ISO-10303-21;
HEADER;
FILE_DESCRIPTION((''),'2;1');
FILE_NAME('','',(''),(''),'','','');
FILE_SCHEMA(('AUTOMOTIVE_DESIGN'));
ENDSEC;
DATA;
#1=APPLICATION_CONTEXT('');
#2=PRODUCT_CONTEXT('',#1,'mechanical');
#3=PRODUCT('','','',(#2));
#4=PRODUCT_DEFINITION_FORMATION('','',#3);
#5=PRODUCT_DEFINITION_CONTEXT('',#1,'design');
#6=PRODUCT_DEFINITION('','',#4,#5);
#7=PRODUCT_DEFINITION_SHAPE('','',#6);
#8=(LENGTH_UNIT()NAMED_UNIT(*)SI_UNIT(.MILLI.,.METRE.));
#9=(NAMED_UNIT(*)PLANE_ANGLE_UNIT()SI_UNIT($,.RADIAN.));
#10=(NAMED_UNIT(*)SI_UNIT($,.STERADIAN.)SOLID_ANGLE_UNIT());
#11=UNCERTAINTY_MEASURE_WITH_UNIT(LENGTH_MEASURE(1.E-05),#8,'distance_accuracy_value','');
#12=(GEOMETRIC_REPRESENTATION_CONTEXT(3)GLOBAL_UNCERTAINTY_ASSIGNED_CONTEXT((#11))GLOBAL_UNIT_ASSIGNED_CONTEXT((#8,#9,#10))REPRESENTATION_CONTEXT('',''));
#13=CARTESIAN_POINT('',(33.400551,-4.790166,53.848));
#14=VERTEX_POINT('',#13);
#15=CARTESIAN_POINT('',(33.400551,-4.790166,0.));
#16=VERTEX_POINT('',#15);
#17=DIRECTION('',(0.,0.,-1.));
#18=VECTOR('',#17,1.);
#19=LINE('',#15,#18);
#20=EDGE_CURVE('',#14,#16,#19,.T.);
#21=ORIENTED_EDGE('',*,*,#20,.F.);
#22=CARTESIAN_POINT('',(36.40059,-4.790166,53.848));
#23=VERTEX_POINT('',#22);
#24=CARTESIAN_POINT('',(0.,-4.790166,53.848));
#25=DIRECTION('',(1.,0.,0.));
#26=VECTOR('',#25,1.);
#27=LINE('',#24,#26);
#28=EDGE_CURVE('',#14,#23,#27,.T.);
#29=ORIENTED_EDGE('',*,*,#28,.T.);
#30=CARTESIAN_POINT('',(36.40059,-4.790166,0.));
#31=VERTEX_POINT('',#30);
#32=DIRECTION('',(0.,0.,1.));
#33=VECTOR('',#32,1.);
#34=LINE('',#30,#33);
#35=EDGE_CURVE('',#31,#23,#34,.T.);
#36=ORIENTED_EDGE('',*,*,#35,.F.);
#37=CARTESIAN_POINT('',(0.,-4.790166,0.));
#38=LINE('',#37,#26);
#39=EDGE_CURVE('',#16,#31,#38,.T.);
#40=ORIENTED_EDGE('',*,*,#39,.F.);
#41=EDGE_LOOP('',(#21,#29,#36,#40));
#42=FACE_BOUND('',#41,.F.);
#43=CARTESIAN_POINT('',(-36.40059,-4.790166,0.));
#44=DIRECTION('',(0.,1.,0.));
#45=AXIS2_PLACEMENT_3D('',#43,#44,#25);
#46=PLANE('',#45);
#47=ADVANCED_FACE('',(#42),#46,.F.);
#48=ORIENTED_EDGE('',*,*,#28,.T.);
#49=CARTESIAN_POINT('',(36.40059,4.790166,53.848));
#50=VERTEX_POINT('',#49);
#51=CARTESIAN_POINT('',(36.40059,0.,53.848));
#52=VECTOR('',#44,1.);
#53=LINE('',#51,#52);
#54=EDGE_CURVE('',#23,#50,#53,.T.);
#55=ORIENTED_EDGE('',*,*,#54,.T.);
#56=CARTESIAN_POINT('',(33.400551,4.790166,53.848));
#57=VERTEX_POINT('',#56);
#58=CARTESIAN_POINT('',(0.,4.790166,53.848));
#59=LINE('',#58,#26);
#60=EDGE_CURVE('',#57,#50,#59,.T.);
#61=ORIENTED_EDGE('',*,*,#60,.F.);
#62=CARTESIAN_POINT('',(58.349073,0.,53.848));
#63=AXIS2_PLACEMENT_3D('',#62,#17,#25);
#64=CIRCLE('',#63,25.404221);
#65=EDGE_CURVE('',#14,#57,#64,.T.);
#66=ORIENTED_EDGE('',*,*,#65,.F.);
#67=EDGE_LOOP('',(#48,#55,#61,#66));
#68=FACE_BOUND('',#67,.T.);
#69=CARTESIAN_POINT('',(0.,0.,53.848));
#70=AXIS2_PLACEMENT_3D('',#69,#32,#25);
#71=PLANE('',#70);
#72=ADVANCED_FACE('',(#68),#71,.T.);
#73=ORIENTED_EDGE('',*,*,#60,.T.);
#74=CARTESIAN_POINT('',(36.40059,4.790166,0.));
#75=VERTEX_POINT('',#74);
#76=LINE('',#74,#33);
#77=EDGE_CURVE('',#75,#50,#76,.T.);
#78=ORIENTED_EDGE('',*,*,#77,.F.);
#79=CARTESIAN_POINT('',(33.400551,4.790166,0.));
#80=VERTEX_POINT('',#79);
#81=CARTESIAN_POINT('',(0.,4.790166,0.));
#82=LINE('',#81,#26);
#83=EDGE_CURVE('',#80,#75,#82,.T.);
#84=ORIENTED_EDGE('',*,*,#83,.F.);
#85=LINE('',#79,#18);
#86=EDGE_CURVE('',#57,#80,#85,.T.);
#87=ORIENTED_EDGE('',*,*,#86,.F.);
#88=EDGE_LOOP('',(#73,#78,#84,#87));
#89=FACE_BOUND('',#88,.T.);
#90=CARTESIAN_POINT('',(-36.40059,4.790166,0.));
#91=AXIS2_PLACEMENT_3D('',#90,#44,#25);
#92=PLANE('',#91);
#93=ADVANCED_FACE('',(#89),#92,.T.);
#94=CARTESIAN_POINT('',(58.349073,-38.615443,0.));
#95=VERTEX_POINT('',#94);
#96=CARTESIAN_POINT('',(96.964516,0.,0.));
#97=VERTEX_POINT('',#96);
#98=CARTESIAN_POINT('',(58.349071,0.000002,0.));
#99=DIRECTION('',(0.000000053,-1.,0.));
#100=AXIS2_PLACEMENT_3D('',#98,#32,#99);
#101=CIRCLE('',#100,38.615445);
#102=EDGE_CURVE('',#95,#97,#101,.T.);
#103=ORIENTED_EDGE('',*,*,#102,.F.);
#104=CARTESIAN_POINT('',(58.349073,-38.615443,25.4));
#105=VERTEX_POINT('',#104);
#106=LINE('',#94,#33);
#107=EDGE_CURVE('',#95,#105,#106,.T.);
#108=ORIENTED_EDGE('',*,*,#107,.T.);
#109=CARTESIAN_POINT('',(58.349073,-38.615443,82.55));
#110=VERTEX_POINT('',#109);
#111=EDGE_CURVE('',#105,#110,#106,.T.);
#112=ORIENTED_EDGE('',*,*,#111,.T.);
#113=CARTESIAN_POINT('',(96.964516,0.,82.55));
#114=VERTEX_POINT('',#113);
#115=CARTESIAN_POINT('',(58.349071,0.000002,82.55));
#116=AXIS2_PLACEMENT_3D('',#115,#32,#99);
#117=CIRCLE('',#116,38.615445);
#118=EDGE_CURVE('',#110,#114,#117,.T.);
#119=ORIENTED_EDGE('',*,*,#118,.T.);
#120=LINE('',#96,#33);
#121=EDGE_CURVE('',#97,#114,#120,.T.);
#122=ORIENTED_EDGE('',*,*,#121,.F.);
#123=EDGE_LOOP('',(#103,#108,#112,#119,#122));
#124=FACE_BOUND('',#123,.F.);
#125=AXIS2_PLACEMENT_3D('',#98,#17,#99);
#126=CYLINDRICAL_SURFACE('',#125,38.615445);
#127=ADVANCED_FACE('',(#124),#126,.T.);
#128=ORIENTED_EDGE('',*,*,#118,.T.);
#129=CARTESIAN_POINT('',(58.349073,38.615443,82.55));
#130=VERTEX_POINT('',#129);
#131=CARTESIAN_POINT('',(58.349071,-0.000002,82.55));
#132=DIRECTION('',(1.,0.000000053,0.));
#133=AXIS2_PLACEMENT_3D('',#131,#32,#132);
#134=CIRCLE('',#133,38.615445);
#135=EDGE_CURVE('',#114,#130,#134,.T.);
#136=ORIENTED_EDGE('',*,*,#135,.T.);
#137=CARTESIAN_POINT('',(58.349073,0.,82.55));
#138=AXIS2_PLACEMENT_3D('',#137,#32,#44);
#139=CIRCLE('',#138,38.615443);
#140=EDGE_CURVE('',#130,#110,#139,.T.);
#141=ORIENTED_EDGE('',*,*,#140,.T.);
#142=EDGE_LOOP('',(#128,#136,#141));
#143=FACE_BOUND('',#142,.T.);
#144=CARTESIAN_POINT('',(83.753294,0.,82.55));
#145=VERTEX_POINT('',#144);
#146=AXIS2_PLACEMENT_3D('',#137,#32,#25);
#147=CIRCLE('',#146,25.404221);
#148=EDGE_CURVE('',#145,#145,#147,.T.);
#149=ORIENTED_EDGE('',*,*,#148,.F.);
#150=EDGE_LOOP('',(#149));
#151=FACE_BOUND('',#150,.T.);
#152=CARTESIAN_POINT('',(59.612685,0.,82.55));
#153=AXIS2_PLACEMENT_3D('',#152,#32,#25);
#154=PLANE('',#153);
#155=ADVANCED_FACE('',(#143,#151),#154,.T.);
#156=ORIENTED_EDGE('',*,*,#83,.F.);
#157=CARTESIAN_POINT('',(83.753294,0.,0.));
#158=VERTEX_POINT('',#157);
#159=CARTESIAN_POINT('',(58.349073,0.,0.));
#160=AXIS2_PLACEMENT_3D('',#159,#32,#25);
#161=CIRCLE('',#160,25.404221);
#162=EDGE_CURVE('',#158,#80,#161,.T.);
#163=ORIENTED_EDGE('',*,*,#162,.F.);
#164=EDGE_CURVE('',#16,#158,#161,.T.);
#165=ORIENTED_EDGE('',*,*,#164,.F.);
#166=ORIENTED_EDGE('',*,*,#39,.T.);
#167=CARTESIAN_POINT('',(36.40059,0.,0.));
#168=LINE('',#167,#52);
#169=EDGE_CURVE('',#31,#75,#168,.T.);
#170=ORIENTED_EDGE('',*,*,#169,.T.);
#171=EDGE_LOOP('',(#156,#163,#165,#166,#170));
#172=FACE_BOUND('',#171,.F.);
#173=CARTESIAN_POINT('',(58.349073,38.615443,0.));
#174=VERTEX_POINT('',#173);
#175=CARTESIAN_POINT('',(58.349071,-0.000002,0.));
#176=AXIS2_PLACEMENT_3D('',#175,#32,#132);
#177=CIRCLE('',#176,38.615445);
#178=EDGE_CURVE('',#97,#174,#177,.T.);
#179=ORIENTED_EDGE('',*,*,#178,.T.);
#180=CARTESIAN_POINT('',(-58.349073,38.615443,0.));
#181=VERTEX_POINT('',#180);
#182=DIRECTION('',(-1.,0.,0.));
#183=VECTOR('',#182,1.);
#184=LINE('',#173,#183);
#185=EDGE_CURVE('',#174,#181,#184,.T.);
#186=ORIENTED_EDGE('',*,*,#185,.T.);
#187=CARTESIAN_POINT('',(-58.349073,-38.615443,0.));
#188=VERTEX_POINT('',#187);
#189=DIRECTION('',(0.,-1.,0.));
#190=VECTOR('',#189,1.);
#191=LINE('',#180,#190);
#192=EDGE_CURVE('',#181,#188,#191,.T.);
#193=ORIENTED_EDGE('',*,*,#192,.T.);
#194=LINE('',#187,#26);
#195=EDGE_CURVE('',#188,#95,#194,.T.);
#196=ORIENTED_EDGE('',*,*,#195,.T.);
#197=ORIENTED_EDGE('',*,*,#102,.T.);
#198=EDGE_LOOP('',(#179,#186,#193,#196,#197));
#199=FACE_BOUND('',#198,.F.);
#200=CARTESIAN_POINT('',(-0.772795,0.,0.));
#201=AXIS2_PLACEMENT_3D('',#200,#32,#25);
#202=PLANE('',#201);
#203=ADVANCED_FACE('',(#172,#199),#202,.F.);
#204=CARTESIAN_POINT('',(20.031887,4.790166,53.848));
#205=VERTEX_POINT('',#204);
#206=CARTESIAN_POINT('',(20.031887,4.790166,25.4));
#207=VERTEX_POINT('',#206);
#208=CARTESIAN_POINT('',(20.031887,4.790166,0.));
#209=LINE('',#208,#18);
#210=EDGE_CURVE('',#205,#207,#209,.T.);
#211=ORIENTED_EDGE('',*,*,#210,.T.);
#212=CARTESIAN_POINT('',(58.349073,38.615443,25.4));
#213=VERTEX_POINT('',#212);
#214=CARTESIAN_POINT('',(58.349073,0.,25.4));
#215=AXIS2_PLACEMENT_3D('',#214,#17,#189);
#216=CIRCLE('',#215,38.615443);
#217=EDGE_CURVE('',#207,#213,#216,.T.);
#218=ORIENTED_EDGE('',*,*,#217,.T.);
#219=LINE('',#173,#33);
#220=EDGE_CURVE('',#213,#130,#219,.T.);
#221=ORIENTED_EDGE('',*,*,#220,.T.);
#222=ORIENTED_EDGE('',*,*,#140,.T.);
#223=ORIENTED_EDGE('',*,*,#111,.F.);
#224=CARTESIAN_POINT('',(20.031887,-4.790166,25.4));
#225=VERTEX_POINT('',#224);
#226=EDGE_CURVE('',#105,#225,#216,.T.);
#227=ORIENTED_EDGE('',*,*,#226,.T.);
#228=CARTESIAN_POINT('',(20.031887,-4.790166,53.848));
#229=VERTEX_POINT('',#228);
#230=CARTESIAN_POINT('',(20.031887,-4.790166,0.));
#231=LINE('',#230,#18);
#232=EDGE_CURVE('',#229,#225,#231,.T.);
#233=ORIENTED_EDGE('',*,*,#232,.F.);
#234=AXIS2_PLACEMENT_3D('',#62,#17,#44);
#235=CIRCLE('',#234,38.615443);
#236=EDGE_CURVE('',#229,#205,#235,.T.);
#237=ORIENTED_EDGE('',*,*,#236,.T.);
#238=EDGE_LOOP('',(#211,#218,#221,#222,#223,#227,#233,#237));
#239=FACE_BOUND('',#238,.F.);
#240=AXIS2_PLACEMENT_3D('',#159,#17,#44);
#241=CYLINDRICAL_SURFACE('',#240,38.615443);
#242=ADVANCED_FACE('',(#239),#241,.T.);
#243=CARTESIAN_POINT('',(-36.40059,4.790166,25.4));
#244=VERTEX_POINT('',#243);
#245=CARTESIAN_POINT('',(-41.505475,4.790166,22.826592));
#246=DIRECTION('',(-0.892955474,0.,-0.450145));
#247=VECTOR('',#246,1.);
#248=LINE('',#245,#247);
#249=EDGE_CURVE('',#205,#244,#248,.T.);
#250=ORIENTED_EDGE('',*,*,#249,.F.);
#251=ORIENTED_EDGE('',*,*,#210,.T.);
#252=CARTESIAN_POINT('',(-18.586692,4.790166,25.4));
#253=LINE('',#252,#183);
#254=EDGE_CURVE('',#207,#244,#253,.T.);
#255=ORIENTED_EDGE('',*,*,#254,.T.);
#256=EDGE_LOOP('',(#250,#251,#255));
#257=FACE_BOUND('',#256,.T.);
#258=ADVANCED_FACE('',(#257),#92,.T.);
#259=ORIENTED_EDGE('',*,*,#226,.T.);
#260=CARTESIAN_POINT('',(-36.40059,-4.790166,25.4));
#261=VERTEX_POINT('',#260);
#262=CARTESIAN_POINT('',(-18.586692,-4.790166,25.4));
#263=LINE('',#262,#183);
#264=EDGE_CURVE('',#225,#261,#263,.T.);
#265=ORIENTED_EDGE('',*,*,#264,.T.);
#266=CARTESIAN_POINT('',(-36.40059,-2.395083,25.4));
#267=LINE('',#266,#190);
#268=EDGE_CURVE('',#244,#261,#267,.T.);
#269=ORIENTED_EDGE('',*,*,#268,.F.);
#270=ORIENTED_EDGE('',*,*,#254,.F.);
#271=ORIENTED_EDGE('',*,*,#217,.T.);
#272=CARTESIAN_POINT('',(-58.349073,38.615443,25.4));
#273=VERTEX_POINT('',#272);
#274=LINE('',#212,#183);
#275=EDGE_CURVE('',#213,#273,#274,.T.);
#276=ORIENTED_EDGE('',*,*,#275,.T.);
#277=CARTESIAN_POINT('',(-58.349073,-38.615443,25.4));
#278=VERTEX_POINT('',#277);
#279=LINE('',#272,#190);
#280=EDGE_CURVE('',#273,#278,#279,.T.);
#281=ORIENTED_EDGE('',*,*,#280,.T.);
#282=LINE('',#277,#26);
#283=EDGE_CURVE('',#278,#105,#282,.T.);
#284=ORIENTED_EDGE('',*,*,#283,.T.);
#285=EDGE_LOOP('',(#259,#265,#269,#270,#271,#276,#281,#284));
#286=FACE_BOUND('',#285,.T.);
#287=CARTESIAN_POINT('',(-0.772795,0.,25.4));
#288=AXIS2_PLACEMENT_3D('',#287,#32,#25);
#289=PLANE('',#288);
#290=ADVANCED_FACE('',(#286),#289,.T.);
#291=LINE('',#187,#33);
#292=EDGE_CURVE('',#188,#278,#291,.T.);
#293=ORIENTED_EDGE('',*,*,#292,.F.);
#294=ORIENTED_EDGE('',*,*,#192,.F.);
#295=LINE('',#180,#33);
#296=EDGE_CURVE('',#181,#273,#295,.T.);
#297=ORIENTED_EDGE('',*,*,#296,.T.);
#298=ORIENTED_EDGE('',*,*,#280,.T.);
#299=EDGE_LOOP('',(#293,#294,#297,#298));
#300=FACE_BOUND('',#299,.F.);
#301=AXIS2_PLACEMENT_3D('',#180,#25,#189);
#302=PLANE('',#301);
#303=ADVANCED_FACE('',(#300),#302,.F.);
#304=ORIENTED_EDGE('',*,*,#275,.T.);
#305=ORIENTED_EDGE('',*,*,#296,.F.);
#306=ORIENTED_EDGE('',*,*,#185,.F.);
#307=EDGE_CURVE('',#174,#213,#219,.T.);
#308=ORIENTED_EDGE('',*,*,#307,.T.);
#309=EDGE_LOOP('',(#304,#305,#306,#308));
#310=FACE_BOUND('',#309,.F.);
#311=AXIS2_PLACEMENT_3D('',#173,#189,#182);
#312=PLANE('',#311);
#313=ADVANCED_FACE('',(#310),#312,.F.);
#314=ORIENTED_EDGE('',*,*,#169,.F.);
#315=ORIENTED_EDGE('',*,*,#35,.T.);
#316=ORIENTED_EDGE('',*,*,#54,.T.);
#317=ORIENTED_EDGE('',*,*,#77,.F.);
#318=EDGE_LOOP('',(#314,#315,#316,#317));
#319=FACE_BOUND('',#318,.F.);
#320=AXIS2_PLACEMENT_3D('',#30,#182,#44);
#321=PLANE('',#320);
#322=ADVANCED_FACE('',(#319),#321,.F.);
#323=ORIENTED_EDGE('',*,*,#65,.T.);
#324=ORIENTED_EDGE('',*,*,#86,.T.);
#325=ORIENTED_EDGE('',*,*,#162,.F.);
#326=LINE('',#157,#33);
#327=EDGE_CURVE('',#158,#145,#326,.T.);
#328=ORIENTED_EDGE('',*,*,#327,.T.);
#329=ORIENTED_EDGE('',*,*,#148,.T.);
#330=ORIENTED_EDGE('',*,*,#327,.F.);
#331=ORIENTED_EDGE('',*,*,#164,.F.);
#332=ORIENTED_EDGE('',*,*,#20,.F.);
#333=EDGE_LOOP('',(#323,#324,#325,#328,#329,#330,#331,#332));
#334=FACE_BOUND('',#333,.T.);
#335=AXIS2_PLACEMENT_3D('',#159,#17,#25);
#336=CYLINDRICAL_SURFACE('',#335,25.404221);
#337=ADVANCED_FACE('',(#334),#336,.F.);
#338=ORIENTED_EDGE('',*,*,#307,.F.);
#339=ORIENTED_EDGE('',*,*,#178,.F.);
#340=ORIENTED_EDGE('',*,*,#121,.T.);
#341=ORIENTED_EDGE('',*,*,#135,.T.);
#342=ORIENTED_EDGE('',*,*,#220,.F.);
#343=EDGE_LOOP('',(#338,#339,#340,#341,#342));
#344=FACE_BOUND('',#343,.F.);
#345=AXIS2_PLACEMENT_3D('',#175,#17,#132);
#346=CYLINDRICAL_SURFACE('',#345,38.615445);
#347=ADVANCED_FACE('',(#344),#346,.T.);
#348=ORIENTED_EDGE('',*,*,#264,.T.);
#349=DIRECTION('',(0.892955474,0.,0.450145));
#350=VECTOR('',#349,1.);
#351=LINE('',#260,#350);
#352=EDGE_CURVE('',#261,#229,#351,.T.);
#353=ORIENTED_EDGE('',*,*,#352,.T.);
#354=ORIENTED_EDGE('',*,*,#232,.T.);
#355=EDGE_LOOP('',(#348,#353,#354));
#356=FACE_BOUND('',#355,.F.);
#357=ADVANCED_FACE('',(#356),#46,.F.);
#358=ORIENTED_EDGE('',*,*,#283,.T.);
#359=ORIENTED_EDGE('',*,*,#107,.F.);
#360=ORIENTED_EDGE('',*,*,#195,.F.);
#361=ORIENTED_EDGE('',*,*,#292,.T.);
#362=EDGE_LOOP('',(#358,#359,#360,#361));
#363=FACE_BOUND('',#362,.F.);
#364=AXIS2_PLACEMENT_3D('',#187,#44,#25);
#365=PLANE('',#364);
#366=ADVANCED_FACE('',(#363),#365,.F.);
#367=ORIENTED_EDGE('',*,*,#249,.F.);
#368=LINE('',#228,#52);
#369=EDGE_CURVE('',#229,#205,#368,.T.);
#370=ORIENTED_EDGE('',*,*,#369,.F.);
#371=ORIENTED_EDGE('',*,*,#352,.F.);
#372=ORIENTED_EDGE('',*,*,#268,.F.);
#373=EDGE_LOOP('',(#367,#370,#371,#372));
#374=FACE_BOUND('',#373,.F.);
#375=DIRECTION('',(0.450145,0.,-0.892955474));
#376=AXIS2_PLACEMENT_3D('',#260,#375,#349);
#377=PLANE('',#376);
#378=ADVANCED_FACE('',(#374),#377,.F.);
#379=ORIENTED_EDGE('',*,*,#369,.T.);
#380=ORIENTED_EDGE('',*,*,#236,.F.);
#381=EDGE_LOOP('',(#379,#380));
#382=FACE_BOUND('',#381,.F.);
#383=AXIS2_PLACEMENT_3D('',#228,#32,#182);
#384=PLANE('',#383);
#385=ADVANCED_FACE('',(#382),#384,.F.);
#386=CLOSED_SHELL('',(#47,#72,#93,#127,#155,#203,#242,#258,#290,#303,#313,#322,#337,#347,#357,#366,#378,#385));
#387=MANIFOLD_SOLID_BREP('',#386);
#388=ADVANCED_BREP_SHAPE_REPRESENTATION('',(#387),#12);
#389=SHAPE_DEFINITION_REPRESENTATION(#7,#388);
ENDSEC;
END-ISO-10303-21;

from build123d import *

# Parameters (mm, degrees)
F0_R     = 25.404221
F1_DEPTH = 82.55
F2_DEPTH = 25.4
F3_W     = 72.80118
F3_H     = 9.580332
F4_DEPTH = 53.848
F6_DEPTH = 25.4


with BuildPart() as f1:
    # F0 (on Top) → F1 (new body)
    with BuildSketch(Plane.XY):
        with BuildLine():
            ThreePointArc((96.964516, 0), (85.654314, 27.305241), (58.349073, 38.615443))
            ThreePointArc((58.349073, 38.615443), (19.73363, 0), (58.349073, -38.615443))
            ThreePointArc((58.349073, -38.615443), (85.654314, -27.305241), (96.964516, 0))
        make_face()
        with Locations((58.349073, 0)):
            Circle(F0_R, mode=Mode.SUBTRACT)
    extrude(amount=F1_DEPTH)

    # F0 (on Top) → F2 (join)
    with BuildSketch(Plane.XY):
        with BuildLine():
            Line((58.349073, 38.615443), (-58.349073, 38.615443))
            Line((-58.349073, 38.615443), (-58.349073, -38.615443))
            Line((-58.349073, -38.615443), (58.349073, -38.615443))
            ThreePointArc((58.349073, -38.615443), (19.73363, 0), (58.349073, 38.615443))
        make_face()
    extrude(amount=F2_DEPTH)

    # F3 (on Top) → F4 (join)
    with BuildSketch(Plane.XY):
        Rectangle(F3_W, F3_H)
    extrude(amount=F4_DEPTH)

    # F5 (on face) → F6 (cut)
    with BuildSketch(Plane.XZ.offset(4.790166)):
        Polygon((-36.40059, 25.4), (20.031887, 53.848), (-36.40059, 53.848), align=None)
    extrude(amount=-F6_DEPTH, mode=Mode.SUBTRACT)


solid = f1.part
